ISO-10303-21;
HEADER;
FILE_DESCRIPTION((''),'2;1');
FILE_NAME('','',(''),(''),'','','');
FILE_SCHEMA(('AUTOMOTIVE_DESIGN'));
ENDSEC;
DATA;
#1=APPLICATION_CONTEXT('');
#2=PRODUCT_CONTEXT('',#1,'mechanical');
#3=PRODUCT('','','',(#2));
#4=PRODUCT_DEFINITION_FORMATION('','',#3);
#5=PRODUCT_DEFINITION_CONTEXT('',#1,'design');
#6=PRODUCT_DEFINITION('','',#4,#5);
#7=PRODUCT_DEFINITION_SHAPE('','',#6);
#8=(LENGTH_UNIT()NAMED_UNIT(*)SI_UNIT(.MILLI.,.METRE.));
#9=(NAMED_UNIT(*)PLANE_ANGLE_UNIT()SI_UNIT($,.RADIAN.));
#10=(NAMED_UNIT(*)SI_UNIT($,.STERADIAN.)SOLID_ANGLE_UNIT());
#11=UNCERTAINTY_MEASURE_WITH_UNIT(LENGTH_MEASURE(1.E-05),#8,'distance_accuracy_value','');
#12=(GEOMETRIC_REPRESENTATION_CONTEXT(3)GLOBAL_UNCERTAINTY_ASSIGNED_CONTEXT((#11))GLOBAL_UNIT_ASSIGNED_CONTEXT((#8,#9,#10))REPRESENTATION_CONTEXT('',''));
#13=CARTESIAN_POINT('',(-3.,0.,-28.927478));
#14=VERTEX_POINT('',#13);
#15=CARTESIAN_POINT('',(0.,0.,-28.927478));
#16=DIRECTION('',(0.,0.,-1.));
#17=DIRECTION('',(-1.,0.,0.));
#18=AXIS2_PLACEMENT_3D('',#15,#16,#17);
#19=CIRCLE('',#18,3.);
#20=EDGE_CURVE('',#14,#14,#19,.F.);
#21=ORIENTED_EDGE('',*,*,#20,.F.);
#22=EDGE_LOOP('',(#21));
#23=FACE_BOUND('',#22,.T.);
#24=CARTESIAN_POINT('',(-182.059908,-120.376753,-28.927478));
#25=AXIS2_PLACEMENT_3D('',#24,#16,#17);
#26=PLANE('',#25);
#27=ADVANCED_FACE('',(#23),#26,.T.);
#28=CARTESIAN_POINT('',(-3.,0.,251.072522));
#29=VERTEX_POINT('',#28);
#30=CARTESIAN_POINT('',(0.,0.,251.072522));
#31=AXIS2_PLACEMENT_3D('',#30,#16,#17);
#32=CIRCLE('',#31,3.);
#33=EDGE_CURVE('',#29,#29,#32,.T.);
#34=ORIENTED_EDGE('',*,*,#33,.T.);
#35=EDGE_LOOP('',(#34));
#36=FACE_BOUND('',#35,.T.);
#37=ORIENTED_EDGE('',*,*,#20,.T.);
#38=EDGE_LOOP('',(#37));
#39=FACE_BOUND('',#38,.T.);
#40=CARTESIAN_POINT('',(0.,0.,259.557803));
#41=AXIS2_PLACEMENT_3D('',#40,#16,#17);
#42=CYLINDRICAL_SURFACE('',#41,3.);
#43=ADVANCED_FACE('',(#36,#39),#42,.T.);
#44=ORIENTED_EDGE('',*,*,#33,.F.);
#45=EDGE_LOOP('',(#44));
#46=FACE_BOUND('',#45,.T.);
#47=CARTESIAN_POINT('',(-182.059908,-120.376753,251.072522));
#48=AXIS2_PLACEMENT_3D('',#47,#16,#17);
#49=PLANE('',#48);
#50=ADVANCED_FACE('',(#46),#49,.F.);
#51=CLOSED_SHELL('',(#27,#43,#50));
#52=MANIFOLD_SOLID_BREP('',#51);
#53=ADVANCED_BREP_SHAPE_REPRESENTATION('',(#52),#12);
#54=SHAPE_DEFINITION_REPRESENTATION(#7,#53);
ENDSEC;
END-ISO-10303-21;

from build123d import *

# Parameters (mm, degrees)
ESQUISSE1_R             = 3
BOSS_EXTRU_1_DEPTH      = 251.072522
BOSS_EXTRU_1_DEPTH_BACK = 28.927478


with BuildPart() as part:
    # Esquisse1 → Boss.-Extru.1 (new body, two sides)
    with BuildSketch(Plane.XY) as boss_extru_1_sk:
        Circle(ESQUISSE1_R)
    extrude(amount=BOSS_EXTRU_1_DEPTH)
    extrude(boss_extru_1_sk.sketch, amount=-BOSS_EXTRU_1_DEPTH_BACK)


solid = part.part
